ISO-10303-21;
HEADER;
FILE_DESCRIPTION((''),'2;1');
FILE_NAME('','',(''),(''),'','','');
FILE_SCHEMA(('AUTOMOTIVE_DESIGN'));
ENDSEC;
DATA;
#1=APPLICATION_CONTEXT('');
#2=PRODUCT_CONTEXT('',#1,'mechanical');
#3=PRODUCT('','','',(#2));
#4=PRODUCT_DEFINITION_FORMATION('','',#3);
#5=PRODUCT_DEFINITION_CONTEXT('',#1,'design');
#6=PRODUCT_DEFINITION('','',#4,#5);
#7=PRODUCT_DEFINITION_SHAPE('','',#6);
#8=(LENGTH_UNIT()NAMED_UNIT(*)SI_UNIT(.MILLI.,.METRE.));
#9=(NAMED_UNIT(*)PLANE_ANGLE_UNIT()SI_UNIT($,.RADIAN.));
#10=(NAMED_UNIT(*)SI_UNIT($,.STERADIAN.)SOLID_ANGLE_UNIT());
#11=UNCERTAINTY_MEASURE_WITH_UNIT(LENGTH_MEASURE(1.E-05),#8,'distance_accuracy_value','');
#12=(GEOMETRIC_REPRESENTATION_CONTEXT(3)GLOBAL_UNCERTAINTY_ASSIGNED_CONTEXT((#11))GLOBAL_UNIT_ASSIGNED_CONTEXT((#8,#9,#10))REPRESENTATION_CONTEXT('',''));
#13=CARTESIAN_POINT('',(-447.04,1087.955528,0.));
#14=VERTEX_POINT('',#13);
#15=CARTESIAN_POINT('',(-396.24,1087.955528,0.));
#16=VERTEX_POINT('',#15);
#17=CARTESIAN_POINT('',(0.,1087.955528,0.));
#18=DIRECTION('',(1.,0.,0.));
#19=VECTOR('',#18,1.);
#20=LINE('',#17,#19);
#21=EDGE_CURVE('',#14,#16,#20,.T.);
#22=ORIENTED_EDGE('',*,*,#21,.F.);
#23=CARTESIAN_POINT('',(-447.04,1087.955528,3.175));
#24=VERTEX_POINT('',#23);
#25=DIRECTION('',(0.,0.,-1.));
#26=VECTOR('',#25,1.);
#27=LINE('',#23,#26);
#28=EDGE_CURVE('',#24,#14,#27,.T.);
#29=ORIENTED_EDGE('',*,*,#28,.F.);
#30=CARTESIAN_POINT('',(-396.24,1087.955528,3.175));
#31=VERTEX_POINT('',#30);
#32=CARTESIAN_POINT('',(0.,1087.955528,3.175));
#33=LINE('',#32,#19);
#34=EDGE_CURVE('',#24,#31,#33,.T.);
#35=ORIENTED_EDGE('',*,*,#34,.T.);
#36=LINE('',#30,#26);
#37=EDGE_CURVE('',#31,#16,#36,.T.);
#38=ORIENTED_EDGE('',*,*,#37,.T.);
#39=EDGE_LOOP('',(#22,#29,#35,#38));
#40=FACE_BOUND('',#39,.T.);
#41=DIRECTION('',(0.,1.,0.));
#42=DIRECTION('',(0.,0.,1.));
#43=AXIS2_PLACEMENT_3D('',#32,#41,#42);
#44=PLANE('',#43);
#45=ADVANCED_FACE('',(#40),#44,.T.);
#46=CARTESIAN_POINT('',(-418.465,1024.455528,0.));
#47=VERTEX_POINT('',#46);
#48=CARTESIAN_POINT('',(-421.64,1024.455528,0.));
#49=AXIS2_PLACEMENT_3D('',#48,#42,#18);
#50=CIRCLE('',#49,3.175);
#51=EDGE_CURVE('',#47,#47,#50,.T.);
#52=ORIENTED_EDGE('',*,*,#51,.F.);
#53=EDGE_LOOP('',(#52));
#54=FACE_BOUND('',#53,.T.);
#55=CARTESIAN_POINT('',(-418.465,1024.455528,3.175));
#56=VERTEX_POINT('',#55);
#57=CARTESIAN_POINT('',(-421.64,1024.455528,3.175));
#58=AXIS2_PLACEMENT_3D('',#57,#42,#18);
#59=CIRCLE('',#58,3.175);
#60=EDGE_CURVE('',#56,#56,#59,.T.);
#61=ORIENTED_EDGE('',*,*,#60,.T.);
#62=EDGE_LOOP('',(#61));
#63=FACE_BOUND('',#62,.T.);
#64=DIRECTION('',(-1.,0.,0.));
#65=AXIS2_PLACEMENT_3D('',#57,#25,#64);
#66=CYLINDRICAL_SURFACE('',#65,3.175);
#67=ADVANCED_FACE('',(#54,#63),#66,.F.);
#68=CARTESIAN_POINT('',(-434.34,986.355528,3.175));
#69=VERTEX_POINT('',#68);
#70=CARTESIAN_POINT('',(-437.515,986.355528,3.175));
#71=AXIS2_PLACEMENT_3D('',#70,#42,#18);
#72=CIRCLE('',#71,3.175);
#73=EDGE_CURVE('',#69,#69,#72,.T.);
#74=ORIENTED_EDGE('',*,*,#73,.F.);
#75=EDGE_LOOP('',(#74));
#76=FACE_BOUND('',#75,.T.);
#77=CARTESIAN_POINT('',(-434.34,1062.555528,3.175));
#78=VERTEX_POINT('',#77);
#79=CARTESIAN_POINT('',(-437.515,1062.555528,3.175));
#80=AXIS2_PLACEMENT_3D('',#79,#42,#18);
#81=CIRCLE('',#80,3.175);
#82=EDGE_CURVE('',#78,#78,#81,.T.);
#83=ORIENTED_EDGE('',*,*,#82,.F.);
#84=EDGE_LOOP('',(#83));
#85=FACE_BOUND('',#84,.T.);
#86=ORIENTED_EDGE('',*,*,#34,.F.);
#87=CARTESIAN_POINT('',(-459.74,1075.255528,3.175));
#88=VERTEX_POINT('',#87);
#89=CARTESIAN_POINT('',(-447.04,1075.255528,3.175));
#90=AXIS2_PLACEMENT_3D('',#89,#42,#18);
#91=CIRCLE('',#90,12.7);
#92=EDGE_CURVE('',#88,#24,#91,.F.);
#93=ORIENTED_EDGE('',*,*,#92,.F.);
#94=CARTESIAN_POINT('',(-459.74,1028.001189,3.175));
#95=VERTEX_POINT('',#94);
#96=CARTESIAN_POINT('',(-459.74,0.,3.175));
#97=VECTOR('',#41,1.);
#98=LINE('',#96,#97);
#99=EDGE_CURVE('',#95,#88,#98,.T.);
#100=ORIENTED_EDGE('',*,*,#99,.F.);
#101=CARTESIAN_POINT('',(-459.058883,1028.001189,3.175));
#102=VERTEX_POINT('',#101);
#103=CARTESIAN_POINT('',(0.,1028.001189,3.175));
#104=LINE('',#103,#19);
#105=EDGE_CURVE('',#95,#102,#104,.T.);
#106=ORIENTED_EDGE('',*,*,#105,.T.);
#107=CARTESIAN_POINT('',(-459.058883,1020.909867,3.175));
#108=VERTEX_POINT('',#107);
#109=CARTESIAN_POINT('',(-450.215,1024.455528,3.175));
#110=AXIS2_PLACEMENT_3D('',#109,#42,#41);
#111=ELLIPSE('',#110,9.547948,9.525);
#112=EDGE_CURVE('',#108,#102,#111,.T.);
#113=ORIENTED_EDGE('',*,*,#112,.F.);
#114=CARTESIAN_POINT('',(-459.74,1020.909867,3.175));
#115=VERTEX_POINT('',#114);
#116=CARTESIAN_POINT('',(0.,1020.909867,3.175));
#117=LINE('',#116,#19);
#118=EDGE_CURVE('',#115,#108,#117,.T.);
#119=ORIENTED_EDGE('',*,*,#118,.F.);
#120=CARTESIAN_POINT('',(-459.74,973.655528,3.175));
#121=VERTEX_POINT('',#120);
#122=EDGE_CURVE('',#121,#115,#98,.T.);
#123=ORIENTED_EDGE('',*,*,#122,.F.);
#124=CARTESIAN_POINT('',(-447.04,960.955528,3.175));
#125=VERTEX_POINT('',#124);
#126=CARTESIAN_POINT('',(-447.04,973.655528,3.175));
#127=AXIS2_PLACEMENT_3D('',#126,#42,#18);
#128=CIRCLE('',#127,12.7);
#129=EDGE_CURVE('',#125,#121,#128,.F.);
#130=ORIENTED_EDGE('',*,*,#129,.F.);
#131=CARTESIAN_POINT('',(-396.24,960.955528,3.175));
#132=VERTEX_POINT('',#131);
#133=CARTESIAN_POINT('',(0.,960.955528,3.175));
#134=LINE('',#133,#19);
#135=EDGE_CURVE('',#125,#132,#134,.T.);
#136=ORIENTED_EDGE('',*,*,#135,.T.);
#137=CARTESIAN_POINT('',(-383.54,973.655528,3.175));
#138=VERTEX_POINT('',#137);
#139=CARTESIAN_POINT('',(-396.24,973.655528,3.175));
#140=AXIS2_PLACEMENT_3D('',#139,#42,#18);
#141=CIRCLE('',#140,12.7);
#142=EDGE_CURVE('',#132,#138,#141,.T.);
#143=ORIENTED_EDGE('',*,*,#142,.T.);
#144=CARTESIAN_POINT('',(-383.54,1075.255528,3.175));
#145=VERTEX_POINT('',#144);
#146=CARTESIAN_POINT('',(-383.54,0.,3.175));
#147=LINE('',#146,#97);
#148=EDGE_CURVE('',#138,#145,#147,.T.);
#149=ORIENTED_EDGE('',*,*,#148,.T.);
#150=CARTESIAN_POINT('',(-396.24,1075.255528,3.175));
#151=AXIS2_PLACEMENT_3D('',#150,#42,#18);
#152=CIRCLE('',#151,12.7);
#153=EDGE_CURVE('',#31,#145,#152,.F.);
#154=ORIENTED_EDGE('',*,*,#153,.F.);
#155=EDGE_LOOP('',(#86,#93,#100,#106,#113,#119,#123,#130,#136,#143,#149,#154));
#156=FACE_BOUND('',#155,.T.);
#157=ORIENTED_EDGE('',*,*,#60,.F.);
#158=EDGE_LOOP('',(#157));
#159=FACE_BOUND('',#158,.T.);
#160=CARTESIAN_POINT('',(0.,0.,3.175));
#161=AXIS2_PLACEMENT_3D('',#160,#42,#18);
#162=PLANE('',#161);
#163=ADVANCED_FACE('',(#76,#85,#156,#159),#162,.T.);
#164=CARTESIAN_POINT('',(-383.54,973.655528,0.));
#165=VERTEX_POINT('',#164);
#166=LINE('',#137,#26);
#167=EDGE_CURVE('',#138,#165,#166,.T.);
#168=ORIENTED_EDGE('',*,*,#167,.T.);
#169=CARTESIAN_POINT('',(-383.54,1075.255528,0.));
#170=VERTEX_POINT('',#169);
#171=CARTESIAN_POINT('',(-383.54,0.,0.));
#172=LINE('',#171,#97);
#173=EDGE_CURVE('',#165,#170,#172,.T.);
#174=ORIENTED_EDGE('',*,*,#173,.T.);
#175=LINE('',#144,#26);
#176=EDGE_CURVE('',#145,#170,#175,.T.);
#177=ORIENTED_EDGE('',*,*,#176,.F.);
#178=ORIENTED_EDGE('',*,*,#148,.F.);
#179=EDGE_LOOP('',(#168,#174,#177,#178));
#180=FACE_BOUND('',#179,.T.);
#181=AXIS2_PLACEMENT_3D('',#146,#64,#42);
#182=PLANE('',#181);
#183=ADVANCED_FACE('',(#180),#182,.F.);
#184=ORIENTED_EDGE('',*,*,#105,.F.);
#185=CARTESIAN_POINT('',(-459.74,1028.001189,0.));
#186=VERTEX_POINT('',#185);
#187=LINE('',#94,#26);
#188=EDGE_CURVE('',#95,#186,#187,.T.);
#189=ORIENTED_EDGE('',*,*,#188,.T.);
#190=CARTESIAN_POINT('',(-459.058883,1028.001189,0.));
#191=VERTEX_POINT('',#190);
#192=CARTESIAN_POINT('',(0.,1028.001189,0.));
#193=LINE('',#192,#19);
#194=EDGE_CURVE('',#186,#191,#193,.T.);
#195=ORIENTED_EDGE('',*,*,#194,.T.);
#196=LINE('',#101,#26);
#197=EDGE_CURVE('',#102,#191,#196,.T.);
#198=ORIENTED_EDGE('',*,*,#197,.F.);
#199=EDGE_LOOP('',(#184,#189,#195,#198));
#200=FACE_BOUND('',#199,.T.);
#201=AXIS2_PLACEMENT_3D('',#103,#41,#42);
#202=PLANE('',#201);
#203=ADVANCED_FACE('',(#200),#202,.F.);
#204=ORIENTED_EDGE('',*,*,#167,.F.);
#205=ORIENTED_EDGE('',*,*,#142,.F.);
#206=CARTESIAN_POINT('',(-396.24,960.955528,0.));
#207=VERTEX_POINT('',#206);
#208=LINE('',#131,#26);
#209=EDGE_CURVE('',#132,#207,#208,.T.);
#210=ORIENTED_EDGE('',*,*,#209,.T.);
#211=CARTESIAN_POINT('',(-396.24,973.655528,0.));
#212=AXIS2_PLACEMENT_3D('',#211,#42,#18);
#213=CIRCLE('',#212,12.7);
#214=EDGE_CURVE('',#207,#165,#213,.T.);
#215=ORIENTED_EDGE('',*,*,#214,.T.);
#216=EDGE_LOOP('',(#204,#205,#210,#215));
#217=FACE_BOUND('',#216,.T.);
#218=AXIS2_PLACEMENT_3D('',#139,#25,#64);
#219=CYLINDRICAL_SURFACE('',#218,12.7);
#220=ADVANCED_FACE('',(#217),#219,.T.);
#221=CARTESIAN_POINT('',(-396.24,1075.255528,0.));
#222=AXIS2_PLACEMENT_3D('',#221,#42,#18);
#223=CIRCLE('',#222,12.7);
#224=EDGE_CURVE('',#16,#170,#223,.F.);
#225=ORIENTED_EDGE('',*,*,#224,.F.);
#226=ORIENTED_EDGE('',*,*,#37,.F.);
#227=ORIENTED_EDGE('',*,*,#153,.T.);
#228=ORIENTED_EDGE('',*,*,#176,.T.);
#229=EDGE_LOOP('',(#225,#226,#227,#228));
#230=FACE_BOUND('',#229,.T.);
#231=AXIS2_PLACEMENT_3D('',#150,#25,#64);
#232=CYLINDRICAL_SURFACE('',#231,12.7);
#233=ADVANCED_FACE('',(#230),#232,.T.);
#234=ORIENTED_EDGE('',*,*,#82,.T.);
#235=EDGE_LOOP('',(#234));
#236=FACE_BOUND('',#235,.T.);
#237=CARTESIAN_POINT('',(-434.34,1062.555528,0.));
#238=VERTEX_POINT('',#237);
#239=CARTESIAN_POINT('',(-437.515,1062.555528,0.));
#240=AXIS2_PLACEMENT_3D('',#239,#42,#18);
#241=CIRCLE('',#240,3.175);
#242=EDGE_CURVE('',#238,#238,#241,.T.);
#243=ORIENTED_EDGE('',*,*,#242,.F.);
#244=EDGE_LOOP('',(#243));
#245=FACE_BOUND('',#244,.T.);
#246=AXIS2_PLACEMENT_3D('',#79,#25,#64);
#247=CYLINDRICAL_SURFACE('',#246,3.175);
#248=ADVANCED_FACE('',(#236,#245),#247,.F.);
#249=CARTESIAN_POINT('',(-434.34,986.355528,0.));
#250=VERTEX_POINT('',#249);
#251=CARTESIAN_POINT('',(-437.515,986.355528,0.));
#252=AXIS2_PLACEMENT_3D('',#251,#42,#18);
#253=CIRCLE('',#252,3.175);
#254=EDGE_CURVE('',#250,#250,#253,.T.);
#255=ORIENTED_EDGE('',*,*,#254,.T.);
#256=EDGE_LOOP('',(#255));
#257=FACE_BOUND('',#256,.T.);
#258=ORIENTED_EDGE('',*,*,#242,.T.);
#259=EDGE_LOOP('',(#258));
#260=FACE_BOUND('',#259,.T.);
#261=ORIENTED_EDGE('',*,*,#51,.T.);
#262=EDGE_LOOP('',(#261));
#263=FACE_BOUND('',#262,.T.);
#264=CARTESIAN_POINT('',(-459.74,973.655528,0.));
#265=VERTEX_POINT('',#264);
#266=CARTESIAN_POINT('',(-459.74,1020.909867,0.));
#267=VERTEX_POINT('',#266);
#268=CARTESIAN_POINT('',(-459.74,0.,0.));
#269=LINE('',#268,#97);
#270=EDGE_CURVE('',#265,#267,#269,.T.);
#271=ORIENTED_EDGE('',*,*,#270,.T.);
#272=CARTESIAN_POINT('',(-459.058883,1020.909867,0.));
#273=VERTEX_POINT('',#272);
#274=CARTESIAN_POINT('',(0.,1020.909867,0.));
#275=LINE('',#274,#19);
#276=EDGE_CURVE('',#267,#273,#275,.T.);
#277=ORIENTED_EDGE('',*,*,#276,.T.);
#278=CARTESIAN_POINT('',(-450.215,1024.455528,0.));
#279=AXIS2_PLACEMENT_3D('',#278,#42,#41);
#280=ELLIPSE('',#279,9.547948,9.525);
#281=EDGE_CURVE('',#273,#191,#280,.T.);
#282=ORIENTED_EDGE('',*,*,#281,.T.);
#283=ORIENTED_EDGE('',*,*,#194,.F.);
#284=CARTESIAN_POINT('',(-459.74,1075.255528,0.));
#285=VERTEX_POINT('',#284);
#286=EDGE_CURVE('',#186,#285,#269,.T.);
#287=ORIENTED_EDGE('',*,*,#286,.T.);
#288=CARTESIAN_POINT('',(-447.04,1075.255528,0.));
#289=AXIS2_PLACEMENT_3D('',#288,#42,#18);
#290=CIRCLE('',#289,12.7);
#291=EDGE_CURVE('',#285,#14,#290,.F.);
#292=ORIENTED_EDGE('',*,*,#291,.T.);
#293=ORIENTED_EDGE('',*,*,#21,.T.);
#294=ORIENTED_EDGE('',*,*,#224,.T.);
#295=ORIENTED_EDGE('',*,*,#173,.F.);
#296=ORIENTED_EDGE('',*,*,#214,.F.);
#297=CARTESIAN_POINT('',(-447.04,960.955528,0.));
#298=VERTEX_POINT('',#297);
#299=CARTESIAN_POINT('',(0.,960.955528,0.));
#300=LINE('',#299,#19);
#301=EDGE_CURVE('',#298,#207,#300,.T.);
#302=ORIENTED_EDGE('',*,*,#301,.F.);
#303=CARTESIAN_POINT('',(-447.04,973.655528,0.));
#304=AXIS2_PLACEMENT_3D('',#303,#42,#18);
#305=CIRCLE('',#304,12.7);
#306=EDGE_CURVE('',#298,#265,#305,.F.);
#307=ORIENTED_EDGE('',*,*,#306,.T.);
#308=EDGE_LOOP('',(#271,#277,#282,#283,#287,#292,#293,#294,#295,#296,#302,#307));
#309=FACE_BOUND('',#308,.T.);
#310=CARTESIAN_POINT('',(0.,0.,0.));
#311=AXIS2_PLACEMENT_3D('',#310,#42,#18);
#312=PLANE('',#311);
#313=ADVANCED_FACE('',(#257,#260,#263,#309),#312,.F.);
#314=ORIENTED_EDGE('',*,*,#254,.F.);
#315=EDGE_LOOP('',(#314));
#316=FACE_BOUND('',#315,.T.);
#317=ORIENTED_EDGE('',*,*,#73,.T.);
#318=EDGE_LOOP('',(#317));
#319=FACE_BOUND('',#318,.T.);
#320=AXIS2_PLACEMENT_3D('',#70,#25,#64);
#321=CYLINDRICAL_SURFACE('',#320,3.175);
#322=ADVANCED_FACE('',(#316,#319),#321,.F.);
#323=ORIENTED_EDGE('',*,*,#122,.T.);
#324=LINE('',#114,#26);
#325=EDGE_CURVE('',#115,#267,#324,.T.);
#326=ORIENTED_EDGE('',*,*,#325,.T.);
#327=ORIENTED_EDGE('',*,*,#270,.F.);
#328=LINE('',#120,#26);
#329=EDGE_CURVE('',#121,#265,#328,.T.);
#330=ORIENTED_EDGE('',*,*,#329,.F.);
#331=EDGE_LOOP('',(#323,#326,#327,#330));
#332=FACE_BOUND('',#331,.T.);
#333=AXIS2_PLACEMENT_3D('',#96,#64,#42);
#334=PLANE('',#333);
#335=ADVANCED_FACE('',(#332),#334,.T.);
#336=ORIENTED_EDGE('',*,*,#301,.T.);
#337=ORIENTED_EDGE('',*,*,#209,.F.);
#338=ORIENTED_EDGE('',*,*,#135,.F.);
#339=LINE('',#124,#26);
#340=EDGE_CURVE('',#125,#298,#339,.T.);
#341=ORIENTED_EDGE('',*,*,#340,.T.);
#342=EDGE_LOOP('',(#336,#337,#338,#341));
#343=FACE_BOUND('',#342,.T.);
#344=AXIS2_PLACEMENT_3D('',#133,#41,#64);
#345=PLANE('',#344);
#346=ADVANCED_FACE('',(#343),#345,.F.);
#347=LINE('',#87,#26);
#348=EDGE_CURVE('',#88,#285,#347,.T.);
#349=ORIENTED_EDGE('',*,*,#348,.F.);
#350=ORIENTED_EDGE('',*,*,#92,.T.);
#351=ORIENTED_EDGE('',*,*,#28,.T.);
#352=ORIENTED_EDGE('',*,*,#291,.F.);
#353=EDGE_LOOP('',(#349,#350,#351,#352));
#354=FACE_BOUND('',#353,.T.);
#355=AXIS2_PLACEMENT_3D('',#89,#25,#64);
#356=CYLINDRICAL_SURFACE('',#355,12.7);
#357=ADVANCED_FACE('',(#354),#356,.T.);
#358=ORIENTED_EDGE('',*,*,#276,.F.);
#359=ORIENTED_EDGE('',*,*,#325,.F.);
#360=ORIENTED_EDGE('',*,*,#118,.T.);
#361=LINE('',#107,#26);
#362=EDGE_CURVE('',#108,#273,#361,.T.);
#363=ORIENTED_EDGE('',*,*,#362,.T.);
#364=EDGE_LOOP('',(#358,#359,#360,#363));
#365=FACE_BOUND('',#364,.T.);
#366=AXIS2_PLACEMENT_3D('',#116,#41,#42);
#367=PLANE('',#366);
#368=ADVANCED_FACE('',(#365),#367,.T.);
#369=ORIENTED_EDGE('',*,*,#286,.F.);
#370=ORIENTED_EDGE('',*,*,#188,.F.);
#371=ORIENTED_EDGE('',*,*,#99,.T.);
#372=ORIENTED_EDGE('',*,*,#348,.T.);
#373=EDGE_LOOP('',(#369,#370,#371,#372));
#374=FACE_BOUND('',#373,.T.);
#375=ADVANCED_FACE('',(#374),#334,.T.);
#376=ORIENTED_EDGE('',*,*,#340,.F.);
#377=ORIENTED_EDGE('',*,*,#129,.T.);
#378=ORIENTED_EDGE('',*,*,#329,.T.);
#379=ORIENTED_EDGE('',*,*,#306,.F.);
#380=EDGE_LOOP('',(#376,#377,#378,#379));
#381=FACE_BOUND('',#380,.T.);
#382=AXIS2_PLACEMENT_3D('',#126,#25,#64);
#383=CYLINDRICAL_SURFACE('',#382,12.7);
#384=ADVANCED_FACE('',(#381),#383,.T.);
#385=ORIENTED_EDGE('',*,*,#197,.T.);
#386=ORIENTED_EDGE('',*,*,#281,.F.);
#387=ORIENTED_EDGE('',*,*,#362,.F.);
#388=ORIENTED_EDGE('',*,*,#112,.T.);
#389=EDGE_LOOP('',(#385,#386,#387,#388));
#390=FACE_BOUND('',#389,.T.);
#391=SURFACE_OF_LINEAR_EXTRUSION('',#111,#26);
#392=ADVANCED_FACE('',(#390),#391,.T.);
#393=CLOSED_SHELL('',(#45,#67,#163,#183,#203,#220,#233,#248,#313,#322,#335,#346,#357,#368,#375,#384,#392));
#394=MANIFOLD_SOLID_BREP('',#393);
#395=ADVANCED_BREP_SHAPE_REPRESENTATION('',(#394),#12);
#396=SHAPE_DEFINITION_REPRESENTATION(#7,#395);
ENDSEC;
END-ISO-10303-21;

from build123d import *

# Parameters (mm, degrees)
SKETCH1_R           = 3.175
BOSS_EXTRUDE2_DEPTH = 3.175


with BuildPart() as part:
    # Sketch1 → Boss-Extrude2 (new body)
    with BuildSketch(Plane.XY):
        with BuildLine():
            add(Edge.make_bspline(
                [(-459.058883104, 1020.90986665), (-454.410065073, 1009.258459074), (-444.447409236, 1016.856993556), (-434.4847534, 1024.455528037), (-444.447409236, 1032.054062519), (-454.410065073, 1039.652597001), (-459.058883104, 1028.001189425)],
                knots=[1.951262384, 1.951262384, 1.951262384, 3.792013448, 3.792013448, 5.632764512, 5.632764512, 7.473515577, 7.473515577, 7.473515577], degree=2, weights=[1, 0.60552134, 1, 0.60552134, 1, 0.60552134, 1]))
            Line((-459.058883104, 1028.001189425), (-459.74, 1028.001189425))
            Line((-459.74, 1028.001189425), (-459.74, 1075.255528037))
            ThreePointArc((-459.74, 1075.255528037), (-456.020256121, 1084.235784159), (-447.04, 1087.955528037))
            Line((-447.04, 1087.955528037), (-396.24, 1087.955528037))
            ThreePointArc((-396.24, 1087.955528037), (-387.259743879, 1084.235784159), (-383.54, 1075.255528037))
            Line((-383.54, 1075.255528037), (-383.54, 973.655528037))
            ThreePointArc((-383.54, 973.655528037), (-387.259743879, 964.675271916), (-396.24, 960.955528037))
            Line((-396.24, 960.955528037), (-447.04, 960.955528037))
            ThreePointArc((-447.04, 960.955528037), (-456.020256121, 964.675271916), (-459.74, 973.655528037))
            Line((-459.74, 973.655528037), (-459.74, 1020.90986665))
            Line((-459.74, 1020.90986665), (-459.058883104, 1020.90986665))
        make_face()
        with Locations((-421.64, 1024.455528037)):
            Circle(SKETCH1_R, mode=Mode.SUBTRACT)
        with Locations((-437.515, 986.355528037)):
            Circle(SKETCH1_R, mode=Mode.SUBTRACT)
        with Locations((-437.515, 1062.555528037)):
            Circle(SKETCH1_R, mode=Mode.SUBTRACT)
    extrude(amount=BOSS_EXTRUDE2_DEPTH)


solid = part.part
